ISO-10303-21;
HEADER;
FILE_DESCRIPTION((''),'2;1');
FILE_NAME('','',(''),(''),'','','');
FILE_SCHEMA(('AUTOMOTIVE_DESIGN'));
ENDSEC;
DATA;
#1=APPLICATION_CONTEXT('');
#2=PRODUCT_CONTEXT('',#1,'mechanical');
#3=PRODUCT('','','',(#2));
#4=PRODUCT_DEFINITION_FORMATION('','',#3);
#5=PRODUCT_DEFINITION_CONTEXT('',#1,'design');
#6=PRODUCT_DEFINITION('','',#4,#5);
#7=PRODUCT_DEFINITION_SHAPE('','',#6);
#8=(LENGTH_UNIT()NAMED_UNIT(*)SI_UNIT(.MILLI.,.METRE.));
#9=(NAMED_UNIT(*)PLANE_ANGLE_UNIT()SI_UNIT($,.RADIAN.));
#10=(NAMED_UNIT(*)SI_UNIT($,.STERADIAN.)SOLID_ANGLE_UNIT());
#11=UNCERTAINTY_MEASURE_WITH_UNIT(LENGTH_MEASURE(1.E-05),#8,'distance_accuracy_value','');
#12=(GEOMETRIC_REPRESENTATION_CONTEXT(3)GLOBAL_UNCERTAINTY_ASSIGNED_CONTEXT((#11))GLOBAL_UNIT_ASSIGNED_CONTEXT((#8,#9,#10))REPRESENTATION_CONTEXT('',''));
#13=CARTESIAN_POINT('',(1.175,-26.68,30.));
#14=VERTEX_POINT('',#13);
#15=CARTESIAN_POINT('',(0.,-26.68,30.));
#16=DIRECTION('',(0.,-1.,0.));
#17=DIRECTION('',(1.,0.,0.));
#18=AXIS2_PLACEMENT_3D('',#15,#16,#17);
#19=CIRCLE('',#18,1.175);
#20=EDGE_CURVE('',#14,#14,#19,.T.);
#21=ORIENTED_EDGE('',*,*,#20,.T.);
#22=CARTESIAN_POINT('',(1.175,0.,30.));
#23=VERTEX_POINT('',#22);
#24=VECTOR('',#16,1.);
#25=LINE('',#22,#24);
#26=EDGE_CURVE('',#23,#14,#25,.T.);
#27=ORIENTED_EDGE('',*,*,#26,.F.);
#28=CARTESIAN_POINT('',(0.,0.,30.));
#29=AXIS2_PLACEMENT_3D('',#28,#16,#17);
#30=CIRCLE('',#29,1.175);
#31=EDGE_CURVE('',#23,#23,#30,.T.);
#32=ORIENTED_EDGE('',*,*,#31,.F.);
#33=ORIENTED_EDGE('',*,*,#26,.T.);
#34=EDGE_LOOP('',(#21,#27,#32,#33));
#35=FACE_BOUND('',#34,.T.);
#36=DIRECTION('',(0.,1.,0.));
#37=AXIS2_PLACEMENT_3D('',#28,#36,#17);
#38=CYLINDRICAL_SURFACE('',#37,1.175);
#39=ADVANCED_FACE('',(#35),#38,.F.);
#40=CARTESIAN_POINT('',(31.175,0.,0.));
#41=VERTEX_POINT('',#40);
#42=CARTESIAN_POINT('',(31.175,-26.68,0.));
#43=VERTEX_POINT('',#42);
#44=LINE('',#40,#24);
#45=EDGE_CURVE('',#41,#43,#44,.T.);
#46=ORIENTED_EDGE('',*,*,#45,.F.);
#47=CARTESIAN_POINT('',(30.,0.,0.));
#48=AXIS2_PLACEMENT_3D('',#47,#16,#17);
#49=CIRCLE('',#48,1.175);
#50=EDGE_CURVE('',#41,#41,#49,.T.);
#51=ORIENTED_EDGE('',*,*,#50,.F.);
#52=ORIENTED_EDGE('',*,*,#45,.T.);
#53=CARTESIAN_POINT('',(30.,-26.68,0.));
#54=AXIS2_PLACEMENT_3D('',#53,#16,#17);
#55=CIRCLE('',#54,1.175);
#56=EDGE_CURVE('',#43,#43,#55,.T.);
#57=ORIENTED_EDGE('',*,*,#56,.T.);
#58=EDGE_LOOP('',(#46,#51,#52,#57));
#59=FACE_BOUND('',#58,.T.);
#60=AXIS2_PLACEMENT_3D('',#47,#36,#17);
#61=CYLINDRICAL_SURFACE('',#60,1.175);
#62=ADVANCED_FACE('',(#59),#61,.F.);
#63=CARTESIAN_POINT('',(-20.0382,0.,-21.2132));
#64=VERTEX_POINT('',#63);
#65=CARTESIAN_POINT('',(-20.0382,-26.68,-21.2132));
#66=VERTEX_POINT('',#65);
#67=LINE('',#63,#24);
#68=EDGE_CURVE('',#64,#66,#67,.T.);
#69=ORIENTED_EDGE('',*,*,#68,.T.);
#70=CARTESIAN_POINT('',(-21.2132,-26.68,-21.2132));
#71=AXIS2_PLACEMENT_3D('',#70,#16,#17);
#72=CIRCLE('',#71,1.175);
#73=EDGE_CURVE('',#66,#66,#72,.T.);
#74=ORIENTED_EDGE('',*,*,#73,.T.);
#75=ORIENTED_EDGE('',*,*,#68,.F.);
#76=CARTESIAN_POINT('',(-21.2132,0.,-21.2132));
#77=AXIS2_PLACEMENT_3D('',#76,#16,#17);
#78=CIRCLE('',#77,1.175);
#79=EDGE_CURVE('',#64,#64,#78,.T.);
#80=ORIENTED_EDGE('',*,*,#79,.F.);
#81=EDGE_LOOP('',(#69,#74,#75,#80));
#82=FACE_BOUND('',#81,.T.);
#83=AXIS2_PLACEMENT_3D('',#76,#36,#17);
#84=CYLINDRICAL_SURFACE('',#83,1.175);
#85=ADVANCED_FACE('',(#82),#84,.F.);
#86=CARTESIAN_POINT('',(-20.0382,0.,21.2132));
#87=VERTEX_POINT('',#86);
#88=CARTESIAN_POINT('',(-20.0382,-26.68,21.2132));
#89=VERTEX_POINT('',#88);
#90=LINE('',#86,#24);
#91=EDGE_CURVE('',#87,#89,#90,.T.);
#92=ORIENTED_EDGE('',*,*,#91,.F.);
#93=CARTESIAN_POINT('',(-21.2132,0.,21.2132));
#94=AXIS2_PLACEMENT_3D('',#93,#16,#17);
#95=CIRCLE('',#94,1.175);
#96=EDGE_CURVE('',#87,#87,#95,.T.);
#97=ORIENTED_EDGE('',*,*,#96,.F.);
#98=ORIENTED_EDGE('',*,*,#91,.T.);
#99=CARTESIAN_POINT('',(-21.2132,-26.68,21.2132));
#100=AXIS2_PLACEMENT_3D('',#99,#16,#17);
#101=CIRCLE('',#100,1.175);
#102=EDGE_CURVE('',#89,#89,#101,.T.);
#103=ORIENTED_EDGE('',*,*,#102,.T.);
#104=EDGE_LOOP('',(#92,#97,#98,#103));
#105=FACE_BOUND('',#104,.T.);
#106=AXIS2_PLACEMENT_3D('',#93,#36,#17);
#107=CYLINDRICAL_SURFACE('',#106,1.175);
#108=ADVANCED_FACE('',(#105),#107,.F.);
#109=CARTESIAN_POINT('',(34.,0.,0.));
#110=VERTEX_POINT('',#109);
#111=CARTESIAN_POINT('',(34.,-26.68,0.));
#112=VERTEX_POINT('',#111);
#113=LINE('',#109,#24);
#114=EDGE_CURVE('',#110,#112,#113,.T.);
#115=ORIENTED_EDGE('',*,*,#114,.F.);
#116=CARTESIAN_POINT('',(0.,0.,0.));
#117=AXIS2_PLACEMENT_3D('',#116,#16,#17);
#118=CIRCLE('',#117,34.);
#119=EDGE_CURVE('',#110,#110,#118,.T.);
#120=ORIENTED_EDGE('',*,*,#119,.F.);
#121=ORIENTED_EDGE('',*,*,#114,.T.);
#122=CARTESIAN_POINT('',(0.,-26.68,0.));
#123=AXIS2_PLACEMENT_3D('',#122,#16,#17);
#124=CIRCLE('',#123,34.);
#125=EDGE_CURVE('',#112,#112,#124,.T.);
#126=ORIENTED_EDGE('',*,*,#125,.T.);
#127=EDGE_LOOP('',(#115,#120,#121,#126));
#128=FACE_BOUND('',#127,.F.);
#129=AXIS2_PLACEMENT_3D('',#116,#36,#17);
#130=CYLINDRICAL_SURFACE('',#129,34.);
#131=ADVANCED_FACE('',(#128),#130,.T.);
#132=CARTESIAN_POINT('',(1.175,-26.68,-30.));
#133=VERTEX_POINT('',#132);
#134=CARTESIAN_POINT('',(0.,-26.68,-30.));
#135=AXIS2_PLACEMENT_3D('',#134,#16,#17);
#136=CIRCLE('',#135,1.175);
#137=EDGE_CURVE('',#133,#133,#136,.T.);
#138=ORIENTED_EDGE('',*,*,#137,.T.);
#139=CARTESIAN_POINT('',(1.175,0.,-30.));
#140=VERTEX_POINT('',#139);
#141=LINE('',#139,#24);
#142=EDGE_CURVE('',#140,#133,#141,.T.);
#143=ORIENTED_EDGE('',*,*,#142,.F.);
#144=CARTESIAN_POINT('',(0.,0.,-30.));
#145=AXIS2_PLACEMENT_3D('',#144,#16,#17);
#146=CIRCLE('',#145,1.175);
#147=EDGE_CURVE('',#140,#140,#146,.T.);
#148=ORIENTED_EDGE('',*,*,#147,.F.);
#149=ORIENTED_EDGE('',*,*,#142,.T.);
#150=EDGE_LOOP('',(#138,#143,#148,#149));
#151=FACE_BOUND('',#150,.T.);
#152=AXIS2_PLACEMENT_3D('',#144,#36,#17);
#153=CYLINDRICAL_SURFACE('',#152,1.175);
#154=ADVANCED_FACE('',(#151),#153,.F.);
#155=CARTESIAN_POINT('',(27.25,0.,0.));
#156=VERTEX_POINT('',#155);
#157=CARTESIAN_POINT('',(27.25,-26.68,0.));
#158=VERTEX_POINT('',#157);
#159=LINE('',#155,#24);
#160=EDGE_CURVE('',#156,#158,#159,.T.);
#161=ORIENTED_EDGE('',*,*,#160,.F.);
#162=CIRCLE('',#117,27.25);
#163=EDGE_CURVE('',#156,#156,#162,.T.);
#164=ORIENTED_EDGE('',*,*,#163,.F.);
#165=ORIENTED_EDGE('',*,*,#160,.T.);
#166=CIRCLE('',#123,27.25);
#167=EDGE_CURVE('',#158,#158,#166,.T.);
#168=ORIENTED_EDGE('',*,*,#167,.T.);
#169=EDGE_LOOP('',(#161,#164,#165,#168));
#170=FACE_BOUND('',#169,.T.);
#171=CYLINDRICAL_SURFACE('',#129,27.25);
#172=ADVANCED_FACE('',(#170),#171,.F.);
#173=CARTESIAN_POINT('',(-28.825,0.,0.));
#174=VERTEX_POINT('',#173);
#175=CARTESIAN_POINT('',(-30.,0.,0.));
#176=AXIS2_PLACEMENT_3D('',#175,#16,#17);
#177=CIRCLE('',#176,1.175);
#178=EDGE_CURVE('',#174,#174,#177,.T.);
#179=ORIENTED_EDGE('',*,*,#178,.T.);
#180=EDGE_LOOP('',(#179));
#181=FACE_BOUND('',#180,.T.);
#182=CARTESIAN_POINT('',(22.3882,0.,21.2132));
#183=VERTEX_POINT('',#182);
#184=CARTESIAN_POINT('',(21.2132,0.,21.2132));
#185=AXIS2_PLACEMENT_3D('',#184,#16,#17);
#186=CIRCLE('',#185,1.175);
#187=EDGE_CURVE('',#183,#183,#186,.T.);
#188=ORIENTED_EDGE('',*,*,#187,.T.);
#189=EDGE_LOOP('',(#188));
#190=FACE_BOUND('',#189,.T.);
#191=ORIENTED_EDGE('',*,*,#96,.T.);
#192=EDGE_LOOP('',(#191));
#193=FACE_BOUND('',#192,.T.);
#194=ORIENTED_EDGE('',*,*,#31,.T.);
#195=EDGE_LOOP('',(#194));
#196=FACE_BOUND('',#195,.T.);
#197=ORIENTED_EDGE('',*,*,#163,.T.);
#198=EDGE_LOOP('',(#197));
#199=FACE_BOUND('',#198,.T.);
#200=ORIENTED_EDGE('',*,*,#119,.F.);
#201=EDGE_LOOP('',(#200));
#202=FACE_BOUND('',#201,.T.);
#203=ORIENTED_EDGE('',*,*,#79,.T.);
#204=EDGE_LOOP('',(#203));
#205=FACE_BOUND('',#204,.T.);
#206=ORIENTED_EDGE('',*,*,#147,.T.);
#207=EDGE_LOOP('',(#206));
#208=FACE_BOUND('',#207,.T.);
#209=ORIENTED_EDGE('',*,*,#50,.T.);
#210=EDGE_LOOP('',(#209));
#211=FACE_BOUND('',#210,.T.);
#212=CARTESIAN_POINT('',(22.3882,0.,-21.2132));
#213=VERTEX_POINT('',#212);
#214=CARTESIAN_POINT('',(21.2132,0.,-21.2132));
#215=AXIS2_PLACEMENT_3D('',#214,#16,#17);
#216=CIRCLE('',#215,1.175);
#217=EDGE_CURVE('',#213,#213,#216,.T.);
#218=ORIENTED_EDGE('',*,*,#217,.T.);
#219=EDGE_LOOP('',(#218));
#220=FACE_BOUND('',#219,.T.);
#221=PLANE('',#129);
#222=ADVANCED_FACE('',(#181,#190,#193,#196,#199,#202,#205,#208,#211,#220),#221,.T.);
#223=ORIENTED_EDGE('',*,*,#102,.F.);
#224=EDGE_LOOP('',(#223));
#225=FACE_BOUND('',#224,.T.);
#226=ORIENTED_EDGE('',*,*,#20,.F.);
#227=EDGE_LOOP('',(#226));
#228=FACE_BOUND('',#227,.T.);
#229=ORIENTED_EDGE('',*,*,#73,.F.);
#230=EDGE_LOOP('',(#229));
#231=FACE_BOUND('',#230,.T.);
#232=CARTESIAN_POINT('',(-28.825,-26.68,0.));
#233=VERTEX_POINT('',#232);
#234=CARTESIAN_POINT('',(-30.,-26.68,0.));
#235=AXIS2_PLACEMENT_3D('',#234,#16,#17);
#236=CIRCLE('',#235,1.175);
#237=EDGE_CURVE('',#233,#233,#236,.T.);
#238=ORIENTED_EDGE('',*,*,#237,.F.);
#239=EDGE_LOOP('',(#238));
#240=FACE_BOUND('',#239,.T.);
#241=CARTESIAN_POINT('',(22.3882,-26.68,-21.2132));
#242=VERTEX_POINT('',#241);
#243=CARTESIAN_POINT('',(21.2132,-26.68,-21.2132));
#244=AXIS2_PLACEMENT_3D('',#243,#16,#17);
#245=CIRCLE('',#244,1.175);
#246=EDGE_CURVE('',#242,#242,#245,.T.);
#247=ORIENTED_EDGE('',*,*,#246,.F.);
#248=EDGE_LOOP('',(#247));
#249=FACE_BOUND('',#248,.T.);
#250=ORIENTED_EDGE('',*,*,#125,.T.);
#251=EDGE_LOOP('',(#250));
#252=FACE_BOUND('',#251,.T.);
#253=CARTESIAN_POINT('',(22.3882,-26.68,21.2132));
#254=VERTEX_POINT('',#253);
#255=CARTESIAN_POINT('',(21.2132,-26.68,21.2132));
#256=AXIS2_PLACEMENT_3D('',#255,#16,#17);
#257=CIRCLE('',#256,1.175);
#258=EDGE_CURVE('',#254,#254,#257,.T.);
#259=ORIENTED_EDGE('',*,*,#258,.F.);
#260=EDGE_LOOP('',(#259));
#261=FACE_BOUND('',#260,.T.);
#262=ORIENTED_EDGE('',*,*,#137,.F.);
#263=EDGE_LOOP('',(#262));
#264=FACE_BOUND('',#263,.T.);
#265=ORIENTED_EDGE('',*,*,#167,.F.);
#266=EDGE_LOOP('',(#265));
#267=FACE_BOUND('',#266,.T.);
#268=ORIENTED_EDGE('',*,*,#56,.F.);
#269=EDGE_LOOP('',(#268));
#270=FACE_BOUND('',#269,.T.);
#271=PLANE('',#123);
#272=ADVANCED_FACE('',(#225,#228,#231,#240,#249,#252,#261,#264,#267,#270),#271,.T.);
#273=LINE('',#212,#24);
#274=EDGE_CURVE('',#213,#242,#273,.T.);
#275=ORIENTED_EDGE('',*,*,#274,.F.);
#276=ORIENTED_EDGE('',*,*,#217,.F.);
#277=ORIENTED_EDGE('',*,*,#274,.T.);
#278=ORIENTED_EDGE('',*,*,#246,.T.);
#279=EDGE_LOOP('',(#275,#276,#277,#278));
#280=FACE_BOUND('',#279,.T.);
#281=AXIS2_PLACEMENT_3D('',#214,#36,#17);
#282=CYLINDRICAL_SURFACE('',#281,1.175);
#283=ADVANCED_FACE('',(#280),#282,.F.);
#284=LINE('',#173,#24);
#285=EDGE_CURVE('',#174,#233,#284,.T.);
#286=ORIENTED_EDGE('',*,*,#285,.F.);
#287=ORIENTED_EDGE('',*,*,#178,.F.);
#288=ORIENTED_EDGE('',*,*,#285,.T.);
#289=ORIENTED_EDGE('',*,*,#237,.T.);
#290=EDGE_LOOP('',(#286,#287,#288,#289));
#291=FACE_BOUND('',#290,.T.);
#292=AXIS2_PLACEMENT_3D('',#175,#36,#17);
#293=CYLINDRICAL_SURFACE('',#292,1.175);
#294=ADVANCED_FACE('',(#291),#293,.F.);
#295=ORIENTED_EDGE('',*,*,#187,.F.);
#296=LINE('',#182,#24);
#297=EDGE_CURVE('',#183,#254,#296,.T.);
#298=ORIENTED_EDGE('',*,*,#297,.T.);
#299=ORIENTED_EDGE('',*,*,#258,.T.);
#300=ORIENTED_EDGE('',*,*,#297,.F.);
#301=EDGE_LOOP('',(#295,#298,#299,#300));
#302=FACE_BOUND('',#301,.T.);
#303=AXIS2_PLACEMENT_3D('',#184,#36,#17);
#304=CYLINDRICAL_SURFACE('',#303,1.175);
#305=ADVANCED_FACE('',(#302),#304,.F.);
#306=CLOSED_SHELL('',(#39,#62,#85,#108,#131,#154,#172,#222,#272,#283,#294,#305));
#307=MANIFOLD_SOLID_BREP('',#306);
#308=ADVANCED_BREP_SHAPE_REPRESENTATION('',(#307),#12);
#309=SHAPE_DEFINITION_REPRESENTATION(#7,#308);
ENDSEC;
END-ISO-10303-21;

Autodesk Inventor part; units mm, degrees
ref_plane "YZ Plane" through (0, 0, 0) normal (1, 0, 0) x (0, 1, 0)
ref_plane "XZ Plane" through (0, 0, 0) normal (0, 1, 0) x (-1, 0, 0)
ref_plane "XY Plane" through (0, 0, 0) normal (0, 0, 1) x (1, 0, 0)
sketch "Sketch1" plane through (0, 0, 0) normal (0, 1, 0) x (-1, 0, 0)
  circle A0 centre (0, 0) radius 34
  circle A1 centre (9.5, 0) radius 1.6
  circle A2 centre (4.75, 8.2272) radius 1.6
  circle A3 centre (-4.75, 8.2272) radius 1.6
  circle A4 centre (-9.5, 0) radius 1.6
  circle A5 centre (-4.75, -8.2272) radius 1.6
  circle A6 centre (4.75, -8.2272) radius 1.6
  circle A7 centre (30, 0) radius 1.175
  circle A8 centre (21.2132, 21.2132) radius 1.175
  circle A9 centre (0, 30) radius 1.175
  circle A10 centre (-21.2132, 21.2132) radius 1.175
  circle A11 centre (-30, 0) radius 1.175
  circle A12 centre (-21.2132, -21.2132) radius 1.175
  circle A13 centre (0, -30) radius 1.175
  circle A14 centre (21.2132, -21.2132) radius 1.175
  dimension "d0" = 68
  dimension "d1" = 3.2
  dimension "d2" = 9.5
  dimension "d3" = 0
  dimension "d6" = 360
  dimension "d10" = 2.35
  dimension "d11" = 0
  dimension "d12" = 30
  dimension "d15" = 360
extrude "Extrusion3" add sketch "Sketch1" along normal blind 5
sketch "Sketch5" plane through (0, 0, 0) normal (0, -1, 0) x (1, 0, 0)
  circle A0 centre (0, 0) radius 34 projected
  circle A1 centre (21.2132, 21.2132) radius 1.175 projected
  circle A2 centre (30, 0) radius 1.175 projected
  circle A3 centre (21.2132, -21.2132) radius 1.175 projected
  circle A4 centre (0, -30) radius 1.175 projected
  circle A5 centre (-21.2132, -21.2132) radius 1.175 projected
  circle A6 centre (-30, 0) radius 1.175 projected
  circle A7 centre (-21.2132, 21.2132) radius 1.175 projected
  circle A8 centre (0, 30) radius 1.175 projected
  circle A9 centre (0, 0) radius 27.25
  circle A10 centre (21.2132, 21.2132) radius 1.175
  circle A11 centre (30, 0) radius 1.175
  circle A12 centre (21.2132, -21.2132) radius 1.175
  circle A13 centre (0, -30) radius 1.175
  circle A14 centre (-21.2132, -21.2132) radius 1.175
  circle A15 centre (-30, 0) radius 1.175
  circle A16 centre (-21.2132, 21.2132) radius 1.175
  circle A17 centre (0, 30) radius 1.175 projected
  circle A18 centre (0, 30) radius 1.225
  circle A19 centre (0, 0) radius 34
  dimension "d21" = 54.5
extrude "Extrusion4" add sketch "Sketch5" along normal blind 26.68 contours A0 | A18
sketch "Sketch6" plane through (0, 5, 0) normal (0, 1, 0) x (1, 0, 0)
  circle A0 centre (0, 0) radius 34
extrude "Extrusion5" cut sketch "Sketch6" against normal blind 5
properties part number "sprocketsHolder" material "ABS Plastic"
